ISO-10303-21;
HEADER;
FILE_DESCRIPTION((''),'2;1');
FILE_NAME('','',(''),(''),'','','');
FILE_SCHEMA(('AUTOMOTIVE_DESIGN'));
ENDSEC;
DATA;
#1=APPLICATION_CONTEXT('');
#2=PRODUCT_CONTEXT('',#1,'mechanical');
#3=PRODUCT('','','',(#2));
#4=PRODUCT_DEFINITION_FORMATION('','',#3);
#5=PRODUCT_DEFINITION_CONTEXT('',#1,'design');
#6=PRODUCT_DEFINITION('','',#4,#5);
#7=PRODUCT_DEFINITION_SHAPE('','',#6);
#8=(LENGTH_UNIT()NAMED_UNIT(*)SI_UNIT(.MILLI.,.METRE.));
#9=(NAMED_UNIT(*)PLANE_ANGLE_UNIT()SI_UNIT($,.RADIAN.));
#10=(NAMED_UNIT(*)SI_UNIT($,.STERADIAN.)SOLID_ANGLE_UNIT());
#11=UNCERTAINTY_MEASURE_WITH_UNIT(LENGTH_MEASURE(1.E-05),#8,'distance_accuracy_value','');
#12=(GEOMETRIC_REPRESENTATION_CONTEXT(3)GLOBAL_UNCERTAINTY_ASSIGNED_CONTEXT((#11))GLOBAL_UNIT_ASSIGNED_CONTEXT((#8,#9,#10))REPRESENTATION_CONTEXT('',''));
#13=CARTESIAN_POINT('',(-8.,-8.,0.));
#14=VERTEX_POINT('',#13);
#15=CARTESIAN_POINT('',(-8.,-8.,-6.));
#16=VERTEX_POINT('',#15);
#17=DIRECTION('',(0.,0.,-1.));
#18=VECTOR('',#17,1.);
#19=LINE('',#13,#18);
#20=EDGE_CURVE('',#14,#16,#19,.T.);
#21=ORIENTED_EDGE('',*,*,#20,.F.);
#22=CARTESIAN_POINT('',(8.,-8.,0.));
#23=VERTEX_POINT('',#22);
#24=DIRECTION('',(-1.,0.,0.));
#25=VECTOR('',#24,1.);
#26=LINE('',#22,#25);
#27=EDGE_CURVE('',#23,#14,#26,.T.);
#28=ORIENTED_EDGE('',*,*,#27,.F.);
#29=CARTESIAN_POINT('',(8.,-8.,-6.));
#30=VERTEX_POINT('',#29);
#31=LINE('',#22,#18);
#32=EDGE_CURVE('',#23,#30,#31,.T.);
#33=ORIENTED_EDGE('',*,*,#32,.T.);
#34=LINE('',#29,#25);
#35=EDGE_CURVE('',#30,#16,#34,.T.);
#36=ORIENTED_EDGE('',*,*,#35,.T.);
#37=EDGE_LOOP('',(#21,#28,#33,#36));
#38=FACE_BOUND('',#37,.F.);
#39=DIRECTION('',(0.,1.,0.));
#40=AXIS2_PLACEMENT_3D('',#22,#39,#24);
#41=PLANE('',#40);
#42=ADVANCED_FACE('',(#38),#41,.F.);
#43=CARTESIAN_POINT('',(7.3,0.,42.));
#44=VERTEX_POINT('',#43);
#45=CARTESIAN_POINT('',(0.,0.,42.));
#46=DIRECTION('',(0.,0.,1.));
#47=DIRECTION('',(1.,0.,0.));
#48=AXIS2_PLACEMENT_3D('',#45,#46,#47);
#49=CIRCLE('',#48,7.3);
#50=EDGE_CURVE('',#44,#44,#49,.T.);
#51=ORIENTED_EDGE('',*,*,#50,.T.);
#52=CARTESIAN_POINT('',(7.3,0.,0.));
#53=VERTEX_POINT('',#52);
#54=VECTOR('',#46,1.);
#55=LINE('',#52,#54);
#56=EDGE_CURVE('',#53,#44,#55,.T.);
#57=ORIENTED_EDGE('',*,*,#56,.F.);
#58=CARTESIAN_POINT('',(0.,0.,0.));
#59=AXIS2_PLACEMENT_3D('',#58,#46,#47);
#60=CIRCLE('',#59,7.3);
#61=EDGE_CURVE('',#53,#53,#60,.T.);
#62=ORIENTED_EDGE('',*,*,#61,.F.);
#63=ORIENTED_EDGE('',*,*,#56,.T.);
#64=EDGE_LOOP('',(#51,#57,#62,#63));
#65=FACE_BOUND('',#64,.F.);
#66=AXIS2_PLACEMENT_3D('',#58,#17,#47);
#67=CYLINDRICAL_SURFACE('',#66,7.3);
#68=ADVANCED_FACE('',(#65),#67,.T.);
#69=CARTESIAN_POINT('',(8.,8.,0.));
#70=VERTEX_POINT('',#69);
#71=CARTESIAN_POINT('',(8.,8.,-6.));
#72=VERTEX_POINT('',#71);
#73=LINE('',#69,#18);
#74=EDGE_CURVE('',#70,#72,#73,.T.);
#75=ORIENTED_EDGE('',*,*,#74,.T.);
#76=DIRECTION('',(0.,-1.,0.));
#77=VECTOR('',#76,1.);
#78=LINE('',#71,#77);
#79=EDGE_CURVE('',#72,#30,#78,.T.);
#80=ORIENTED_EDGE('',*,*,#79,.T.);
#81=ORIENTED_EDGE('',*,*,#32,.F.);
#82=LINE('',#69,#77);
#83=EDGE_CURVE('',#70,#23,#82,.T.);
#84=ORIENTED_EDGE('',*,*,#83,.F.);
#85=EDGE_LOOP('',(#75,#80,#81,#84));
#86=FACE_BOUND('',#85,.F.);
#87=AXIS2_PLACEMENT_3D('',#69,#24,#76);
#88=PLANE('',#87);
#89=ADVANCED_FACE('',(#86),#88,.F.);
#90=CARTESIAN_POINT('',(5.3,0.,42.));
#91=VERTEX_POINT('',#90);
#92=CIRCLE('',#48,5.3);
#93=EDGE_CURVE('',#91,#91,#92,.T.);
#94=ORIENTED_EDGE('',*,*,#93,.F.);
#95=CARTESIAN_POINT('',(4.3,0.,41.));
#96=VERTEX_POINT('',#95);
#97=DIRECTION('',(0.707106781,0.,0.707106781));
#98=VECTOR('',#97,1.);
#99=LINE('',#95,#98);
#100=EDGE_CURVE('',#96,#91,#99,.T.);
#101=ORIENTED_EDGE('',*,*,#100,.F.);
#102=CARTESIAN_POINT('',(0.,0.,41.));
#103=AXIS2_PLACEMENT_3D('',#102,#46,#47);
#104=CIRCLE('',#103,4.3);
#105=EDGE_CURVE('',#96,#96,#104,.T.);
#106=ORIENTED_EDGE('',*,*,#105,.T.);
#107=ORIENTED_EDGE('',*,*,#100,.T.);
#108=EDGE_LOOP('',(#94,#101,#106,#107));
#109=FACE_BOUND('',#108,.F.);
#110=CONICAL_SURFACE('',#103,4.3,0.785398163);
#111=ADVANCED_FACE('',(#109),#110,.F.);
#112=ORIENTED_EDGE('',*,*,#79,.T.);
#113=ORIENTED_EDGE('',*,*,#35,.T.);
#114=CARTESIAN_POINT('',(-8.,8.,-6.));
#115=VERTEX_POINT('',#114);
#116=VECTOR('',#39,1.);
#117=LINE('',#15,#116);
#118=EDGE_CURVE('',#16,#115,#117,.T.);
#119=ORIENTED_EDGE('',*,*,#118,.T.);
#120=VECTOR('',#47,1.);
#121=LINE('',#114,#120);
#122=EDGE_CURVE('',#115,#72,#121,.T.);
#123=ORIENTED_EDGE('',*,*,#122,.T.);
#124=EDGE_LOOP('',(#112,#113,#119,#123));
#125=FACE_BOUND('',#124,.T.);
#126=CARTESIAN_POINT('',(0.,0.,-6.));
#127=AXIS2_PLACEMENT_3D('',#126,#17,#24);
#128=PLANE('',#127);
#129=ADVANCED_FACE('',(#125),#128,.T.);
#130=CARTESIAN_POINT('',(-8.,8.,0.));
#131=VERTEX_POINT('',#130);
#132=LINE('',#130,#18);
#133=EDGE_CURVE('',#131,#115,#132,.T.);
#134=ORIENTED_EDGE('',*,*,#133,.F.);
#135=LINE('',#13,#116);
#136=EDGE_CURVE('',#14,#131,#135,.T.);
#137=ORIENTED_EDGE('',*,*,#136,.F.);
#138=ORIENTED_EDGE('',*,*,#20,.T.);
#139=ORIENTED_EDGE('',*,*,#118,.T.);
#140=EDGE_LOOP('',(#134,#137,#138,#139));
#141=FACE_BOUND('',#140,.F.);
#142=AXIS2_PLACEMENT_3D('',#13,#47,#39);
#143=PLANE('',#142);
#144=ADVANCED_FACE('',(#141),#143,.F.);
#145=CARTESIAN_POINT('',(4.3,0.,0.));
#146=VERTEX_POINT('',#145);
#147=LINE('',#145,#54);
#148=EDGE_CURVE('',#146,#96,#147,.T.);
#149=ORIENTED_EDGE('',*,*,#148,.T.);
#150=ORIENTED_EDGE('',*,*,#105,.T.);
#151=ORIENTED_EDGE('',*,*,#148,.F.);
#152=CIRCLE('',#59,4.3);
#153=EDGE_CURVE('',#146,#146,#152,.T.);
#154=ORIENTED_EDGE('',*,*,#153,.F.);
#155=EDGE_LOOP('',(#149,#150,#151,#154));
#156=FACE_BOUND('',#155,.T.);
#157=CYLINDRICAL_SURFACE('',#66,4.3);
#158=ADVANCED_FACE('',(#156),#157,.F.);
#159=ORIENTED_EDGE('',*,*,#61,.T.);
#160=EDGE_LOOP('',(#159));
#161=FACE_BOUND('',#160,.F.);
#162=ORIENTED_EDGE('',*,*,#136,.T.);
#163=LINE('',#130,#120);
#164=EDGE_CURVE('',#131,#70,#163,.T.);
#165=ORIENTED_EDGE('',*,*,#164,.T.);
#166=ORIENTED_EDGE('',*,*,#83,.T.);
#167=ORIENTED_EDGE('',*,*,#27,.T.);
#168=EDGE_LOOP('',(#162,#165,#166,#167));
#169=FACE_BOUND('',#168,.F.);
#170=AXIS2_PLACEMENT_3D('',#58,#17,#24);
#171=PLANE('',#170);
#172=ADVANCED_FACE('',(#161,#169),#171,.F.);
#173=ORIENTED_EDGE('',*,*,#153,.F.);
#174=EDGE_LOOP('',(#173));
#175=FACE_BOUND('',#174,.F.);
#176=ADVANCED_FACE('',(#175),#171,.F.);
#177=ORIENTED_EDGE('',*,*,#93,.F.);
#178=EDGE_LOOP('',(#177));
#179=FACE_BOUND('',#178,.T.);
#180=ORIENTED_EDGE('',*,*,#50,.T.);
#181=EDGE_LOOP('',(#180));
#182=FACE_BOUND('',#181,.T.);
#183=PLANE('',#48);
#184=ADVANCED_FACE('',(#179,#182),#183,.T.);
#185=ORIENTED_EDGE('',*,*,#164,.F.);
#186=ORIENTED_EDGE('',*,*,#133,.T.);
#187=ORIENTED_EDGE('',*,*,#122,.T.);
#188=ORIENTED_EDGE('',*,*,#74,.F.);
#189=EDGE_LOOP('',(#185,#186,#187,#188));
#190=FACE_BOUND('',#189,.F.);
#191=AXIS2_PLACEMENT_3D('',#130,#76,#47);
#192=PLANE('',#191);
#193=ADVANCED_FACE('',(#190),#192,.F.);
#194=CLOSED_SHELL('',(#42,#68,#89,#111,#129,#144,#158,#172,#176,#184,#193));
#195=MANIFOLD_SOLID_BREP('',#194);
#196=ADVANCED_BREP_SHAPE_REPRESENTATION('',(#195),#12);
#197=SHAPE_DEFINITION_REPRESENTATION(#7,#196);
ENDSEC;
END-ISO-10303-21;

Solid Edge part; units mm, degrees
sketch "Sketch1" plane through (0, 0, 0) normal (0, 0, 1) x (1, 0, 0)
  circle A0 centre (0, 0) radius 7.3
  circle A1 centre (0, 0) radius 4.3
  dimension "D1" = 3
  dimension "D2" = 8.6
extrude "Protrusion1" add sketch "Sketch1" along normal blind 42
chamfer "Chamfer_1" distance 1 angle 45 1 edges at (-4.3, 0, 42)
sketch "Sketch2" plane through (0, 0, 0) normal (0, 0, -1) x (0, -1, 0)
  line L0 (-8, -8) -> (8, -8)
  line L1 (8, -8) -> (8, 8)
  line L2 (8, 8) -> (-8, 8)
  line L3 (-8, 8) -> (-8, -8)
  dimension "D1" = 16
  dimension "D2" = 16
extrude "ExtrudedProtrusion_4" add sketch "Sketch2" along normal blind 6
